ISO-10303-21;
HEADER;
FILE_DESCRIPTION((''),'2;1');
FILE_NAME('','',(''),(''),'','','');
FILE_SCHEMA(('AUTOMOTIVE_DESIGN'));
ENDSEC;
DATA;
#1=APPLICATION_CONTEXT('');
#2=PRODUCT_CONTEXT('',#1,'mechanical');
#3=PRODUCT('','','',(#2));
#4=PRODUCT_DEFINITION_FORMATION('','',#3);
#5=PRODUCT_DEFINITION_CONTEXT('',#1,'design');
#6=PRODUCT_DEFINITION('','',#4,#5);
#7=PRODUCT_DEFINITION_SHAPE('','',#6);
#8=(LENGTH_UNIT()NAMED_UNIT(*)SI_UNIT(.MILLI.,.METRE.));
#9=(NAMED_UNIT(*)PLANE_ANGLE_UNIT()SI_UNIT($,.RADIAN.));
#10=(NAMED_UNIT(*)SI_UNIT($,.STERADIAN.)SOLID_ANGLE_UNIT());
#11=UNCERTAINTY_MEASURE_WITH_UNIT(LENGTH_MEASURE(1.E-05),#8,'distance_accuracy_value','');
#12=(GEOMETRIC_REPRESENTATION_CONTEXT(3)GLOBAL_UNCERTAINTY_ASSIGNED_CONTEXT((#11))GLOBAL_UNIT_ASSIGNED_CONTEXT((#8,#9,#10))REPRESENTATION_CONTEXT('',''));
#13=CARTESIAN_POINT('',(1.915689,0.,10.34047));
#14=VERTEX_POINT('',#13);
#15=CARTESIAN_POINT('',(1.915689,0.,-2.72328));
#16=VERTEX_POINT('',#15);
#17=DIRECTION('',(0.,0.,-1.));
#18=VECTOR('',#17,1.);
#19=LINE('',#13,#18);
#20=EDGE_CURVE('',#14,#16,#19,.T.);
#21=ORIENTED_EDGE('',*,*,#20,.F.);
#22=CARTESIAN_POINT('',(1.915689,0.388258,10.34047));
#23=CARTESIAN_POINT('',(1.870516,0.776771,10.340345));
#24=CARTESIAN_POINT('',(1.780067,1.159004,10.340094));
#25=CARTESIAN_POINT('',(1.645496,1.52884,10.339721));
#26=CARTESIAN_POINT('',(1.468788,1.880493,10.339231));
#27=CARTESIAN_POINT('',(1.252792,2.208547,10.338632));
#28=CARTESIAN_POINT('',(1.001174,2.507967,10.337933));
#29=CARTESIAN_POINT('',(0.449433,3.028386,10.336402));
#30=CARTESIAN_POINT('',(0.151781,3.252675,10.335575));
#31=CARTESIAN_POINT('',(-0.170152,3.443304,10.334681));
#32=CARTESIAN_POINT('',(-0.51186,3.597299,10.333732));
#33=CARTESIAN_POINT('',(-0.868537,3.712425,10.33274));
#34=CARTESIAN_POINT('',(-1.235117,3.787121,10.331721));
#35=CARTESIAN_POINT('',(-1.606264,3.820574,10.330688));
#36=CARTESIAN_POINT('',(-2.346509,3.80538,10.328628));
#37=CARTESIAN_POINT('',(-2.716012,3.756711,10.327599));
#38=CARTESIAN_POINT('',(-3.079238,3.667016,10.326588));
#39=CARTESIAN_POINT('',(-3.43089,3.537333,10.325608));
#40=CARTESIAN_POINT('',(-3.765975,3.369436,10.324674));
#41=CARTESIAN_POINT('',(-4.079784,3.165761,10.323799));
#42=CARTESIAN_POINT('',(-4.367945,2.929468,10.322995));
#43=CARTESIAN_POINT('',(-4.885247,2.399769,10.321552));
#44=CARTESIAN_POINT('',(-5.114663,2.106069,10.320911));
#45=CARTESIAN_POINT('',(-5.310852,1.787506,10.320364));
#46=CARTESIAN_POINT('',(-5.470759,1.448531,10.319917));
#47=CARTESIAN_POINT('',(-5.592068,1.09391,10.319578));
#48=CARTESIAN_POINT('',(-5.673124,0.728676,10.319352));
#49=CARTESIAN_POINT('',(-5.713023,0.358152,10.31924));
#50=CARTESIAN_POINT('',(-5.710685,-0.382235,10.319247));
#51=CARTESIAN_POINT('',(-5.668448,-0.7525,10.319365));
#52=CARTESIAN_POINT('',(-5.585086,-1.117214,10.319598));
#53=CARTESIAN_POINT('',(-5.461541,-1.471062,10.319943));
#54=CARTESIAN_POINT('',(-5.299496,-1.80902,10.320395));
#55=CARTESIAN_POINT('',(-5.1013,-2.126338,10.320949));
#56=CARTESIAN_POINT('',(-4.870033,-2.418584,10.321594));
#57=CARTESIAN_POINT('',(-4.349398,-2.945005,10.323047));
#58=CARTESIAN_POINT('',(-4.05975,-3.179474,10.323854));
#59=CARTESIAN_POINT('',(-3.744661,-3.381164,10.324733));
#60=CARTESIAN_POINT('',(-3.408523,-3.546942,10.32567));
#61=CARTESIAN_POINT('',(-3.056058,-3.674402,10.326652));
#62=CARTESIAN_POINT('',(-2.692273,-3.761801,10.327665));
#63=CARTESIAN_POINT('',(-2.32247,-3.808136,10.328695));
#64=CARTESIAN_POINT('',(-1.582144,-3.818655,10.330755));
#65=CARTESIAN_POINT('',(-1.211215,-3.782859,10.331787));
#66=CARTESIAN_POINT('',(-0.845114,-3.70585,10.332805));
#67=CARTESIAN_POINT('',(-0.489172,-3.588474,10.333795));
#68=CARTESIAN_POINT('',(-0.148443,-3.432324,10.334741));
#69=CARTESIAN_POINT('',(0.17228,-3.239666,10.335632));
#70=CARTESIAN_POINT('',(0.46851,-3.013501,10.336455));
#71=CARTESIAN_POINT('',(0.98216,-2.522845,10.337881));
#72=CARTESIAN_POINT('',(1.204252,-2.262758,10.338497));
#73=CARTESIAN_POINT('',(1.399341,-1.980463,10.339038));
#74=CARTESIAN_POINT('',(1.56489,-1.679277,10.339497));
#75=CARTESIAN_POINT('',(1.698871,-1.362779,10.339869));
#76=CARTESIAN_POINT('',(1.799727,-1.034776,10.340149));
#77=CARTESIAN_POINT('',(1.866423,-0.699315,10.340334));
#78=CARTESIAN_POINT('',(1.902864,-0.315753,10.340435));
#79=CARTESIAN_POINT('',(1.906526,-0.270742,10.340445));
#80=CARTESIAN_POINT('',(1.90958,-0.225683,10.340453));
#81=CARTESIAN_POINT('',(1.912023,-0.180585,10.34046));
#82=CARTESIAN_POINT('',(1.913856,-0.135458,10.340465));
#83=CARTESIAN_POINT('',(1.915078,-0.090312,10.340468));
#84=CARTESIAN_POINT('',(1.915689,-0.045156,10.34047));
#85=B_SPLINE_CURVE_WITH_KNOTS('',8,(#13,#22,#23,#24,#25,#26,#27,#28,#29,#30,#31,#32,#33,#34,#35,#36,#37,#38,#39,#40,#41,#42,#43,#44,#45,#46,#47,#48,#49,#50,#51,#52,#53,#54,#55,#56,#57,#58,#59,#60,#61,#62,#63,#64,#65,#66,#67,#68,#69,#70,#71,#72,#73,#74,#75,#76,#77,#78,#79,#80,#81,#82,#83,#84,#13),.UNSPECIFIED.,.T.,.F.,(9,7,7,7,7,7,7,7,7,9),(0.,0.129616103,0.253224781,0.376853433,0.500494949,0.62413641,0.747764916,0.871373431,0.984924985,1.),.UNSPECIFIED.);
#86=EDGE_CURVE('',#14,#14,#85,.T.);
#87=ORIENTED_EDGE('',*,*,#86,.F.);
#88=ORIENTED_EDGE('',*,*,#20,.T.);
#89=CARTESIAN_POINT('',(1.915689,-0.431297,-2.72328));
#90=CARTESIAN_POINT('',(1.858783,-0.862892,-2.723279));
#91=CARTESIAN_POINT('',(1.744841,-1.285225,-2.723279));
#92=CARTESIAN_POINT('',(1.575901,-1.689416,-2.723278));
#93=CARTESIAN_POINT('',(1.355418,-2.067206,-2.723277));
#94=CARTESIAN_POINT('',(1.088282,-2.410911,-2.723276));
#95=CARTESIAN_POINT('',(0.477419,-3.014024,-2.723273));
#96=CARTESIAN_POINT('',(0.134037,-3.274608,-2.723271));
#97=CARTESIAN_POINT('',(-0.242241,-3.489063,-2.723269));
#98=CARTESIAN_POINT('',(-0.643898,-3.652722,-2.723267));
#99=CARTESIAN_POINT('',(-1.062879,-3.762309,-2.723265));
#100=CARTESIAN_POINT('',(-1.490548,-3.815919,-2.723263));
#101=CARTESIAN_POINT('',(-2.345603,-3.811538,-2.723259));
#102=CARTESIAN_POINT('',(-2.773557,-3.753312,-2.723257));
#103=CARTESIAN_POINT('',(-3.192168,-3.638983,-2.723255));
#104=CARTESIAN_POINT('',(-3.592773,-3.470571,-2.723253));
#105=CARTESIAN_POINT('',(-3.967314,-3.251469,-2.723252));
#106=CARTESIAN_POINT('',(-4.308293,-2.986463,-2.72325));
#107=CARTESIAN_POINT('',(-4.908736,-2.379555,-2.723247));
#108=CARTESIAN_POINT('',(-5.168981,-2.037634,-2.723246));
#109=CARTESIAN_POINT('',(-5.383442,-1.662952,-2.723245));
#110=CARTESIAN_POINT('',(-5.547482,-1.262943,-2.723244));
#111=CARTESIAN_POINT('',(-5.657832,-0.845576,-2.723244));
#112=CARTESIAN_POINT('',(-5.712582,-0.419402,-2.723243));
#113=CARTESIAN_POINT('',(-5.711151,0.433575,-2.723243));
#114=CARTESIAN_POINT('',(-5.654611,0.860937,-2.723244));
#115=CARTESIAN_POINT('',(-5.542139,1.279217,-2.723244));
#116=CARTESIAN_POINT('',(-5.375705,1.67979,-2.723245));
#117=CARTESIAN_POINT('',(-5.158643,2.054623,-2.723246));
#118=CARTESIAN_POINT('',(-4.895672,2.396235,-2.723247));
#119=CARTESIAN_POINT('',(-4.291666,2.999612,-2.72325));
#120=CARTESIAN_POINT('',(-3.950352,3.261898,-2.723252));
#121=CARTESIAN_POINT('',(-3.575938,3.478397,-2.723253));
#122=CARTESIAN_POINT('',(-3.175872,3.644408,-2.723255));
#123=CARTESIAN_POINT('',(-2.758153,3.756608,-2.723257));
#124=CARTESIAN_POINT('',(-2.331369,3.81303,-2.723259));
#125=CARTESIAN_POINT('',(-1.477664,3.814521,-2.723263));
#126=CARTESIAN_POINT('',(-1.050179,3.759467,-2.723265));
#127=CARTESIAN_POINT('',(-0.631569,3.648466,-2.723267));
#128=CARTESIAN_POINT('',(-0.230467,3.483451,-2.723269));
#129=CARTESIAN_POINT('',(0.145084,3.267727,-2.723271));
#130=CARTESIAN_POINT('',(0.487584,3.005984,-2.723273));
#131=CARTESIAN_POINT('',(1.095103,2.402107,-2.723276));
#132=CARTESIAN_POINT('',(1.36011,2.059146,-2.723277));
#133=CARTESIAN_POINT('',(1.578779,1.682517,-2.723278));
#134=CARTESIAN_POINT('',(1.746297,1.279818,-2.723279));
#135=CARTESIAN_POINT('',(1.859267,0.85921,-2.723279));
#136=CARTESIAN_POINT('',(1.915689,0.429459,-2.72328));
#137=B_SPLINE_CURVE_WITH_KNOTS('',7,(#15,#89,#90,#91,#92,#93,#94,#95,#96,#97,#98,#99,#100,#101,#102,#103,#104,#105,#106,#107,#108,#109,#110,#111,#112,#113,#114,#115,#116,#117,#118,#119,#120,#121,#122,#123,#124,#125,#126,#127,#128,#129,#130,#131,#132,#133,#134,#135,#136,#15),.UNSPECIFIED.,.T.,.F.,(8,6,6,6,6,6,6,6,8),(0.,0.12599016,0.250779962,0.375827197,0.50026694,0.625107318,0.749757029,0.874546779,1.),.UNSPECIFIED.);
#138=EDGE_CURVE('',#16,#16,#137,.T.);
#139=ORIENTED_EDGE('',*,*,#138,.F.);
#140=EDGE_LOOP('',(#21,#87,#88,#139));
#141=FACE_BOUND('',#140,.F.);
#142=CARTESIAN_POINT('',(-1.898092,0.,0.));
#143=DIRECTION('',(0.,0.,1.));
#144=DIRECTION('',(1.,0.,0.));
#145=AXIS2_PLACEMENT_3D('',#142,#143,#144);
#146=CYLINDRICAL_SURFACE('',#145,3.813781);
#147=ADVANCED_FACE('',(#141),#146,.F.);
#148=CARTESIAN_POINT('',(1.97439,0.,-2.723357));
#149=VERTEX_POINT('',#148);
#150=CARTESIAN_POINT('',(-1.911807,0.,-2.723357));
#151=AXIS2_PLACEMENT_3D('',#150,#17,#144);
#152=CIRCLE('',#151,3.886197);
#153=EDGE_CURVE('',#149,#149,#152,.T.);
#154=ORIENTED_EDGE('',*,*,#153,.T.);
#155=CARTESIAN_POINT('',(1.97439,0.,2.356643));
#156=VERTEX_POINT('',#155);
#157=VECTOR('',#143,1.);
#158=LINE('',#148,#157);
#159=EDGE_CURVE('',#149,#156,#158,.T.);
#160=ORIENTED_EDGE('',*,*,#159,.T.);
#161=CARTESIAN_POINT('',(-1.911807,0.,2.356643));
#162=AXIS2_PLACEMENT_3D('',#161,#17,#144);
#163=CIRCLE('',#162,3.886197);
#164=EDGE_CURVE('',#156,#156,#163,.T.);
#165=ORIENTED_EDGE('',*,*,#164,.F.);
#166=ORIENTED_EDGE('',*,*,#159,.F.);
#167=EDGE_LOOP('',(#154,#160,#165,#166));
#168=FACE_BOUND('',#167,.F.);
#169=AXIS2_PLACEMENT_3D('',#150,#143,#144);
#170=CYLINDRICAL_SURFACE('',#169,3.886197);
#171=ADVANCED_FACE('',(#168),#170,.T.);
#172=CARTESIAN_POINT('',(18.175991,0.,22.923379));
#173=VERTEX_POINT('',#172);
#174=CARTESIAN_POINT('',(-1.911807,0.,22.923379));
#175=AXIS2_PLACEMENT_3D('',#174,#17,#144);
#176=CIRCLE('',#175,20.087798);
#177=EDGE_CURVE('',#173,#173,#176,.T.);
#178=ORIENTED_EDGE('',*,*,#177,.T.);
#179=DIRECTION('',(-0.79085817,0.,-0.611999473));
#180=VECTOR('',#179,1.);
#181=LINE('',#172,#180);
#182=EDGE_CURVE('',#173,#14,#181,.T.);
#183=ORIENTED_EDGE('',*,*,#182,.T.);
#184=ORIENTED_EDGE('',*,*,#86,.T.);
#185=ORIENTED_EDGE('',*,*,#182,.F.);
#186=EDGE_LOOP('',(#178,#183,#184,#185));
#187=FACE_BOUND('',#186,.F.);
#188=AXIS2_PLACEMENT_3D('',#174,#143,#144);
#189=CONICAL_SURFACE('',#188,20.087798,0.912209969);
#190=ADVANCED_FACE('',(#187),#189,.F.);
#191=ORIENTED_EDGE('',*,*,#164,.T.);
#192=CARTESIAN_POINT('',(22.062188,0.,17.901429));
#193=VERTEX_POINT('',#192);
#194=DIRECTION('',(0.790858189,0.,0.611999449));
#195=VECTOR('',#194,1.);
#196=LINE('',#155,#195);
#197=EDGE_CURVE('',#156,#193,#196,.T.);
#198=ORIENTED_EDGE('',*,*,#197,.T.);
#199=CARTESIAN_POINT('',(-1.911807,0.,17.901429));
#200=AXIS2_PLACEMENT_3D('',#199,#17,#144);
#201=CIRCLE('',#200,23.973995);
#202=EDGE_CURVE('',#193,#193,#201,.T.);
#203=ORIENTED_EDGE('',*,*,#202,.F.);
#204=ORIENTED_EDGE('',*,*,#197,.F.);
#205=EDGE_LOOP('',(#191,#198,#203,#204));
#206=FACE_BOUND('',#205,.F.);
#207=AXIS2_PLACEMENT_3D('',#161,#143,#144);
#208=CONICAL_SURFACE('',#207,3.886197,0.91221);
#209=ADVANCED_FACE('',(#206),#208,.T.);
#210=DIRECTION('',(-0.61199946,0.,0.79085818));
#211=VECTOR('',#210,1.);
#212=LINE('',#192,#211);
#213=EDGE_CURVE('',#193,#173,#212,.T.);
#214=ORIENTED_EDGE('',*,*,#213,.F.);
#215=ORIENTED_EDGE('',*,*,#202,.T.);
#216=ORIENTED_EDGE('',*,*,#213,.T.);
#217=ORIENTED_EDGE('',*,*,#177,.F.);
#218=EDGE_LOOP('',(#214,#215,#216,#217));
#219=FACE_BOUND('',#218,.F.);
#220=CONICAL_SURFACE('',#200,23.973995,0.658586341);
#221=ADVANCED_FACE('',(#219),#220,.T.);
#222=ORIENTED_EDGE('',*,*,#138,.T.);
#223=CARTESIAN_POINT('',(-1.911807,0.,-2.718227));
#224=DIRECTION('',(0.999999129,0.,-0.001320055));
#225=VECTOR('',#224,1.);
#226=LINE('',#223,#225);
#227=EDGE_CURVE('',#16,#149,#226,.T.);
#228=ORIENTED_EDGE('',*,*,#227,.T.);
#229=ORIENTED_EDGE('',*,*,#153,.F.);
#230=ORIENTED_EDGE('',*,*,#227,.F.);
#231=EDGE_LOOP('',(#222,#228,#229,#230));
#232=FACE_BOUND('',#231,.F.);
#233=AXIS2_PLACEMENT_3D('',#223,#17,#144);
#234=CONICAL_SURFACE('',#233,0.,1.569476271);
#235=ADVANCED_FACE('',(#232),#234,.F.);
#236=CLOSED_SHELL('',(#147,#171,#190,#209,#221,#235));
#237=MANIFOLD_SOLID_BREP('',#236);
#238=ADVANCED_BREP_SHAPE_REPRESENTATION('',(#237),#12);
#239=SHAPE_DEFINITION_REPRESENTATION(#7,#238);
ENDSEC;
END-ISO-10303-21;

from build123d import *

# Parameters (mm, degrees)
F2_R      = 3.813781
F3_DEPTH  = 38.1
F4_R      = 3.020529
F5_DEPTH  = 14.0716
F3_FACE_R = 3.813781
F6_DEPTH  = 15.24


with BuildPart() as f1:
    # F0 (on Front) → F1 (revolve)
    with BuildSketch(Plane.XZ):
        Polygon((-1.911807, -2.718227), (1.97439, -2.723357), (1.97439, 2.356643), (22.062188, 17.901429), (18.175991, 22.923379), (-1.911807, 7.378592), align=None)
    revolve(axis=Axis((-1.911807, 0, 2.330183), (0, 0, -1)))

    # F2 (on Top) → F3 (cut)
    with BuildSketch(Plane.XY):
        with Locations((-1.898092, 0)):
            Circle(F2_R)
    extrude(amount=F3_DEPTH, mode=Mode.SUBTRACT)

    # F4 (on Top) → F5 (cut)
    with BuildSketch(Plane.XY):
        with Locations((-1.891657, 0)):
            Circle(F4_R)
    extrude(amount=F5_DEPTH, mode=Mode.SUBTRACT)

    # F3_face (on face) → F6 (cut)
    with BuildSketch(Plane(origin=(-1.898092, 0, 0), x_dir=(1, 0, 0), z_dir=(0, 0, 1))):
        Circle(F3_FACE_R)
    extrude(amount=-F6_DEPTH, mode=Mode.SUBTRACT)


solid = f1.part
